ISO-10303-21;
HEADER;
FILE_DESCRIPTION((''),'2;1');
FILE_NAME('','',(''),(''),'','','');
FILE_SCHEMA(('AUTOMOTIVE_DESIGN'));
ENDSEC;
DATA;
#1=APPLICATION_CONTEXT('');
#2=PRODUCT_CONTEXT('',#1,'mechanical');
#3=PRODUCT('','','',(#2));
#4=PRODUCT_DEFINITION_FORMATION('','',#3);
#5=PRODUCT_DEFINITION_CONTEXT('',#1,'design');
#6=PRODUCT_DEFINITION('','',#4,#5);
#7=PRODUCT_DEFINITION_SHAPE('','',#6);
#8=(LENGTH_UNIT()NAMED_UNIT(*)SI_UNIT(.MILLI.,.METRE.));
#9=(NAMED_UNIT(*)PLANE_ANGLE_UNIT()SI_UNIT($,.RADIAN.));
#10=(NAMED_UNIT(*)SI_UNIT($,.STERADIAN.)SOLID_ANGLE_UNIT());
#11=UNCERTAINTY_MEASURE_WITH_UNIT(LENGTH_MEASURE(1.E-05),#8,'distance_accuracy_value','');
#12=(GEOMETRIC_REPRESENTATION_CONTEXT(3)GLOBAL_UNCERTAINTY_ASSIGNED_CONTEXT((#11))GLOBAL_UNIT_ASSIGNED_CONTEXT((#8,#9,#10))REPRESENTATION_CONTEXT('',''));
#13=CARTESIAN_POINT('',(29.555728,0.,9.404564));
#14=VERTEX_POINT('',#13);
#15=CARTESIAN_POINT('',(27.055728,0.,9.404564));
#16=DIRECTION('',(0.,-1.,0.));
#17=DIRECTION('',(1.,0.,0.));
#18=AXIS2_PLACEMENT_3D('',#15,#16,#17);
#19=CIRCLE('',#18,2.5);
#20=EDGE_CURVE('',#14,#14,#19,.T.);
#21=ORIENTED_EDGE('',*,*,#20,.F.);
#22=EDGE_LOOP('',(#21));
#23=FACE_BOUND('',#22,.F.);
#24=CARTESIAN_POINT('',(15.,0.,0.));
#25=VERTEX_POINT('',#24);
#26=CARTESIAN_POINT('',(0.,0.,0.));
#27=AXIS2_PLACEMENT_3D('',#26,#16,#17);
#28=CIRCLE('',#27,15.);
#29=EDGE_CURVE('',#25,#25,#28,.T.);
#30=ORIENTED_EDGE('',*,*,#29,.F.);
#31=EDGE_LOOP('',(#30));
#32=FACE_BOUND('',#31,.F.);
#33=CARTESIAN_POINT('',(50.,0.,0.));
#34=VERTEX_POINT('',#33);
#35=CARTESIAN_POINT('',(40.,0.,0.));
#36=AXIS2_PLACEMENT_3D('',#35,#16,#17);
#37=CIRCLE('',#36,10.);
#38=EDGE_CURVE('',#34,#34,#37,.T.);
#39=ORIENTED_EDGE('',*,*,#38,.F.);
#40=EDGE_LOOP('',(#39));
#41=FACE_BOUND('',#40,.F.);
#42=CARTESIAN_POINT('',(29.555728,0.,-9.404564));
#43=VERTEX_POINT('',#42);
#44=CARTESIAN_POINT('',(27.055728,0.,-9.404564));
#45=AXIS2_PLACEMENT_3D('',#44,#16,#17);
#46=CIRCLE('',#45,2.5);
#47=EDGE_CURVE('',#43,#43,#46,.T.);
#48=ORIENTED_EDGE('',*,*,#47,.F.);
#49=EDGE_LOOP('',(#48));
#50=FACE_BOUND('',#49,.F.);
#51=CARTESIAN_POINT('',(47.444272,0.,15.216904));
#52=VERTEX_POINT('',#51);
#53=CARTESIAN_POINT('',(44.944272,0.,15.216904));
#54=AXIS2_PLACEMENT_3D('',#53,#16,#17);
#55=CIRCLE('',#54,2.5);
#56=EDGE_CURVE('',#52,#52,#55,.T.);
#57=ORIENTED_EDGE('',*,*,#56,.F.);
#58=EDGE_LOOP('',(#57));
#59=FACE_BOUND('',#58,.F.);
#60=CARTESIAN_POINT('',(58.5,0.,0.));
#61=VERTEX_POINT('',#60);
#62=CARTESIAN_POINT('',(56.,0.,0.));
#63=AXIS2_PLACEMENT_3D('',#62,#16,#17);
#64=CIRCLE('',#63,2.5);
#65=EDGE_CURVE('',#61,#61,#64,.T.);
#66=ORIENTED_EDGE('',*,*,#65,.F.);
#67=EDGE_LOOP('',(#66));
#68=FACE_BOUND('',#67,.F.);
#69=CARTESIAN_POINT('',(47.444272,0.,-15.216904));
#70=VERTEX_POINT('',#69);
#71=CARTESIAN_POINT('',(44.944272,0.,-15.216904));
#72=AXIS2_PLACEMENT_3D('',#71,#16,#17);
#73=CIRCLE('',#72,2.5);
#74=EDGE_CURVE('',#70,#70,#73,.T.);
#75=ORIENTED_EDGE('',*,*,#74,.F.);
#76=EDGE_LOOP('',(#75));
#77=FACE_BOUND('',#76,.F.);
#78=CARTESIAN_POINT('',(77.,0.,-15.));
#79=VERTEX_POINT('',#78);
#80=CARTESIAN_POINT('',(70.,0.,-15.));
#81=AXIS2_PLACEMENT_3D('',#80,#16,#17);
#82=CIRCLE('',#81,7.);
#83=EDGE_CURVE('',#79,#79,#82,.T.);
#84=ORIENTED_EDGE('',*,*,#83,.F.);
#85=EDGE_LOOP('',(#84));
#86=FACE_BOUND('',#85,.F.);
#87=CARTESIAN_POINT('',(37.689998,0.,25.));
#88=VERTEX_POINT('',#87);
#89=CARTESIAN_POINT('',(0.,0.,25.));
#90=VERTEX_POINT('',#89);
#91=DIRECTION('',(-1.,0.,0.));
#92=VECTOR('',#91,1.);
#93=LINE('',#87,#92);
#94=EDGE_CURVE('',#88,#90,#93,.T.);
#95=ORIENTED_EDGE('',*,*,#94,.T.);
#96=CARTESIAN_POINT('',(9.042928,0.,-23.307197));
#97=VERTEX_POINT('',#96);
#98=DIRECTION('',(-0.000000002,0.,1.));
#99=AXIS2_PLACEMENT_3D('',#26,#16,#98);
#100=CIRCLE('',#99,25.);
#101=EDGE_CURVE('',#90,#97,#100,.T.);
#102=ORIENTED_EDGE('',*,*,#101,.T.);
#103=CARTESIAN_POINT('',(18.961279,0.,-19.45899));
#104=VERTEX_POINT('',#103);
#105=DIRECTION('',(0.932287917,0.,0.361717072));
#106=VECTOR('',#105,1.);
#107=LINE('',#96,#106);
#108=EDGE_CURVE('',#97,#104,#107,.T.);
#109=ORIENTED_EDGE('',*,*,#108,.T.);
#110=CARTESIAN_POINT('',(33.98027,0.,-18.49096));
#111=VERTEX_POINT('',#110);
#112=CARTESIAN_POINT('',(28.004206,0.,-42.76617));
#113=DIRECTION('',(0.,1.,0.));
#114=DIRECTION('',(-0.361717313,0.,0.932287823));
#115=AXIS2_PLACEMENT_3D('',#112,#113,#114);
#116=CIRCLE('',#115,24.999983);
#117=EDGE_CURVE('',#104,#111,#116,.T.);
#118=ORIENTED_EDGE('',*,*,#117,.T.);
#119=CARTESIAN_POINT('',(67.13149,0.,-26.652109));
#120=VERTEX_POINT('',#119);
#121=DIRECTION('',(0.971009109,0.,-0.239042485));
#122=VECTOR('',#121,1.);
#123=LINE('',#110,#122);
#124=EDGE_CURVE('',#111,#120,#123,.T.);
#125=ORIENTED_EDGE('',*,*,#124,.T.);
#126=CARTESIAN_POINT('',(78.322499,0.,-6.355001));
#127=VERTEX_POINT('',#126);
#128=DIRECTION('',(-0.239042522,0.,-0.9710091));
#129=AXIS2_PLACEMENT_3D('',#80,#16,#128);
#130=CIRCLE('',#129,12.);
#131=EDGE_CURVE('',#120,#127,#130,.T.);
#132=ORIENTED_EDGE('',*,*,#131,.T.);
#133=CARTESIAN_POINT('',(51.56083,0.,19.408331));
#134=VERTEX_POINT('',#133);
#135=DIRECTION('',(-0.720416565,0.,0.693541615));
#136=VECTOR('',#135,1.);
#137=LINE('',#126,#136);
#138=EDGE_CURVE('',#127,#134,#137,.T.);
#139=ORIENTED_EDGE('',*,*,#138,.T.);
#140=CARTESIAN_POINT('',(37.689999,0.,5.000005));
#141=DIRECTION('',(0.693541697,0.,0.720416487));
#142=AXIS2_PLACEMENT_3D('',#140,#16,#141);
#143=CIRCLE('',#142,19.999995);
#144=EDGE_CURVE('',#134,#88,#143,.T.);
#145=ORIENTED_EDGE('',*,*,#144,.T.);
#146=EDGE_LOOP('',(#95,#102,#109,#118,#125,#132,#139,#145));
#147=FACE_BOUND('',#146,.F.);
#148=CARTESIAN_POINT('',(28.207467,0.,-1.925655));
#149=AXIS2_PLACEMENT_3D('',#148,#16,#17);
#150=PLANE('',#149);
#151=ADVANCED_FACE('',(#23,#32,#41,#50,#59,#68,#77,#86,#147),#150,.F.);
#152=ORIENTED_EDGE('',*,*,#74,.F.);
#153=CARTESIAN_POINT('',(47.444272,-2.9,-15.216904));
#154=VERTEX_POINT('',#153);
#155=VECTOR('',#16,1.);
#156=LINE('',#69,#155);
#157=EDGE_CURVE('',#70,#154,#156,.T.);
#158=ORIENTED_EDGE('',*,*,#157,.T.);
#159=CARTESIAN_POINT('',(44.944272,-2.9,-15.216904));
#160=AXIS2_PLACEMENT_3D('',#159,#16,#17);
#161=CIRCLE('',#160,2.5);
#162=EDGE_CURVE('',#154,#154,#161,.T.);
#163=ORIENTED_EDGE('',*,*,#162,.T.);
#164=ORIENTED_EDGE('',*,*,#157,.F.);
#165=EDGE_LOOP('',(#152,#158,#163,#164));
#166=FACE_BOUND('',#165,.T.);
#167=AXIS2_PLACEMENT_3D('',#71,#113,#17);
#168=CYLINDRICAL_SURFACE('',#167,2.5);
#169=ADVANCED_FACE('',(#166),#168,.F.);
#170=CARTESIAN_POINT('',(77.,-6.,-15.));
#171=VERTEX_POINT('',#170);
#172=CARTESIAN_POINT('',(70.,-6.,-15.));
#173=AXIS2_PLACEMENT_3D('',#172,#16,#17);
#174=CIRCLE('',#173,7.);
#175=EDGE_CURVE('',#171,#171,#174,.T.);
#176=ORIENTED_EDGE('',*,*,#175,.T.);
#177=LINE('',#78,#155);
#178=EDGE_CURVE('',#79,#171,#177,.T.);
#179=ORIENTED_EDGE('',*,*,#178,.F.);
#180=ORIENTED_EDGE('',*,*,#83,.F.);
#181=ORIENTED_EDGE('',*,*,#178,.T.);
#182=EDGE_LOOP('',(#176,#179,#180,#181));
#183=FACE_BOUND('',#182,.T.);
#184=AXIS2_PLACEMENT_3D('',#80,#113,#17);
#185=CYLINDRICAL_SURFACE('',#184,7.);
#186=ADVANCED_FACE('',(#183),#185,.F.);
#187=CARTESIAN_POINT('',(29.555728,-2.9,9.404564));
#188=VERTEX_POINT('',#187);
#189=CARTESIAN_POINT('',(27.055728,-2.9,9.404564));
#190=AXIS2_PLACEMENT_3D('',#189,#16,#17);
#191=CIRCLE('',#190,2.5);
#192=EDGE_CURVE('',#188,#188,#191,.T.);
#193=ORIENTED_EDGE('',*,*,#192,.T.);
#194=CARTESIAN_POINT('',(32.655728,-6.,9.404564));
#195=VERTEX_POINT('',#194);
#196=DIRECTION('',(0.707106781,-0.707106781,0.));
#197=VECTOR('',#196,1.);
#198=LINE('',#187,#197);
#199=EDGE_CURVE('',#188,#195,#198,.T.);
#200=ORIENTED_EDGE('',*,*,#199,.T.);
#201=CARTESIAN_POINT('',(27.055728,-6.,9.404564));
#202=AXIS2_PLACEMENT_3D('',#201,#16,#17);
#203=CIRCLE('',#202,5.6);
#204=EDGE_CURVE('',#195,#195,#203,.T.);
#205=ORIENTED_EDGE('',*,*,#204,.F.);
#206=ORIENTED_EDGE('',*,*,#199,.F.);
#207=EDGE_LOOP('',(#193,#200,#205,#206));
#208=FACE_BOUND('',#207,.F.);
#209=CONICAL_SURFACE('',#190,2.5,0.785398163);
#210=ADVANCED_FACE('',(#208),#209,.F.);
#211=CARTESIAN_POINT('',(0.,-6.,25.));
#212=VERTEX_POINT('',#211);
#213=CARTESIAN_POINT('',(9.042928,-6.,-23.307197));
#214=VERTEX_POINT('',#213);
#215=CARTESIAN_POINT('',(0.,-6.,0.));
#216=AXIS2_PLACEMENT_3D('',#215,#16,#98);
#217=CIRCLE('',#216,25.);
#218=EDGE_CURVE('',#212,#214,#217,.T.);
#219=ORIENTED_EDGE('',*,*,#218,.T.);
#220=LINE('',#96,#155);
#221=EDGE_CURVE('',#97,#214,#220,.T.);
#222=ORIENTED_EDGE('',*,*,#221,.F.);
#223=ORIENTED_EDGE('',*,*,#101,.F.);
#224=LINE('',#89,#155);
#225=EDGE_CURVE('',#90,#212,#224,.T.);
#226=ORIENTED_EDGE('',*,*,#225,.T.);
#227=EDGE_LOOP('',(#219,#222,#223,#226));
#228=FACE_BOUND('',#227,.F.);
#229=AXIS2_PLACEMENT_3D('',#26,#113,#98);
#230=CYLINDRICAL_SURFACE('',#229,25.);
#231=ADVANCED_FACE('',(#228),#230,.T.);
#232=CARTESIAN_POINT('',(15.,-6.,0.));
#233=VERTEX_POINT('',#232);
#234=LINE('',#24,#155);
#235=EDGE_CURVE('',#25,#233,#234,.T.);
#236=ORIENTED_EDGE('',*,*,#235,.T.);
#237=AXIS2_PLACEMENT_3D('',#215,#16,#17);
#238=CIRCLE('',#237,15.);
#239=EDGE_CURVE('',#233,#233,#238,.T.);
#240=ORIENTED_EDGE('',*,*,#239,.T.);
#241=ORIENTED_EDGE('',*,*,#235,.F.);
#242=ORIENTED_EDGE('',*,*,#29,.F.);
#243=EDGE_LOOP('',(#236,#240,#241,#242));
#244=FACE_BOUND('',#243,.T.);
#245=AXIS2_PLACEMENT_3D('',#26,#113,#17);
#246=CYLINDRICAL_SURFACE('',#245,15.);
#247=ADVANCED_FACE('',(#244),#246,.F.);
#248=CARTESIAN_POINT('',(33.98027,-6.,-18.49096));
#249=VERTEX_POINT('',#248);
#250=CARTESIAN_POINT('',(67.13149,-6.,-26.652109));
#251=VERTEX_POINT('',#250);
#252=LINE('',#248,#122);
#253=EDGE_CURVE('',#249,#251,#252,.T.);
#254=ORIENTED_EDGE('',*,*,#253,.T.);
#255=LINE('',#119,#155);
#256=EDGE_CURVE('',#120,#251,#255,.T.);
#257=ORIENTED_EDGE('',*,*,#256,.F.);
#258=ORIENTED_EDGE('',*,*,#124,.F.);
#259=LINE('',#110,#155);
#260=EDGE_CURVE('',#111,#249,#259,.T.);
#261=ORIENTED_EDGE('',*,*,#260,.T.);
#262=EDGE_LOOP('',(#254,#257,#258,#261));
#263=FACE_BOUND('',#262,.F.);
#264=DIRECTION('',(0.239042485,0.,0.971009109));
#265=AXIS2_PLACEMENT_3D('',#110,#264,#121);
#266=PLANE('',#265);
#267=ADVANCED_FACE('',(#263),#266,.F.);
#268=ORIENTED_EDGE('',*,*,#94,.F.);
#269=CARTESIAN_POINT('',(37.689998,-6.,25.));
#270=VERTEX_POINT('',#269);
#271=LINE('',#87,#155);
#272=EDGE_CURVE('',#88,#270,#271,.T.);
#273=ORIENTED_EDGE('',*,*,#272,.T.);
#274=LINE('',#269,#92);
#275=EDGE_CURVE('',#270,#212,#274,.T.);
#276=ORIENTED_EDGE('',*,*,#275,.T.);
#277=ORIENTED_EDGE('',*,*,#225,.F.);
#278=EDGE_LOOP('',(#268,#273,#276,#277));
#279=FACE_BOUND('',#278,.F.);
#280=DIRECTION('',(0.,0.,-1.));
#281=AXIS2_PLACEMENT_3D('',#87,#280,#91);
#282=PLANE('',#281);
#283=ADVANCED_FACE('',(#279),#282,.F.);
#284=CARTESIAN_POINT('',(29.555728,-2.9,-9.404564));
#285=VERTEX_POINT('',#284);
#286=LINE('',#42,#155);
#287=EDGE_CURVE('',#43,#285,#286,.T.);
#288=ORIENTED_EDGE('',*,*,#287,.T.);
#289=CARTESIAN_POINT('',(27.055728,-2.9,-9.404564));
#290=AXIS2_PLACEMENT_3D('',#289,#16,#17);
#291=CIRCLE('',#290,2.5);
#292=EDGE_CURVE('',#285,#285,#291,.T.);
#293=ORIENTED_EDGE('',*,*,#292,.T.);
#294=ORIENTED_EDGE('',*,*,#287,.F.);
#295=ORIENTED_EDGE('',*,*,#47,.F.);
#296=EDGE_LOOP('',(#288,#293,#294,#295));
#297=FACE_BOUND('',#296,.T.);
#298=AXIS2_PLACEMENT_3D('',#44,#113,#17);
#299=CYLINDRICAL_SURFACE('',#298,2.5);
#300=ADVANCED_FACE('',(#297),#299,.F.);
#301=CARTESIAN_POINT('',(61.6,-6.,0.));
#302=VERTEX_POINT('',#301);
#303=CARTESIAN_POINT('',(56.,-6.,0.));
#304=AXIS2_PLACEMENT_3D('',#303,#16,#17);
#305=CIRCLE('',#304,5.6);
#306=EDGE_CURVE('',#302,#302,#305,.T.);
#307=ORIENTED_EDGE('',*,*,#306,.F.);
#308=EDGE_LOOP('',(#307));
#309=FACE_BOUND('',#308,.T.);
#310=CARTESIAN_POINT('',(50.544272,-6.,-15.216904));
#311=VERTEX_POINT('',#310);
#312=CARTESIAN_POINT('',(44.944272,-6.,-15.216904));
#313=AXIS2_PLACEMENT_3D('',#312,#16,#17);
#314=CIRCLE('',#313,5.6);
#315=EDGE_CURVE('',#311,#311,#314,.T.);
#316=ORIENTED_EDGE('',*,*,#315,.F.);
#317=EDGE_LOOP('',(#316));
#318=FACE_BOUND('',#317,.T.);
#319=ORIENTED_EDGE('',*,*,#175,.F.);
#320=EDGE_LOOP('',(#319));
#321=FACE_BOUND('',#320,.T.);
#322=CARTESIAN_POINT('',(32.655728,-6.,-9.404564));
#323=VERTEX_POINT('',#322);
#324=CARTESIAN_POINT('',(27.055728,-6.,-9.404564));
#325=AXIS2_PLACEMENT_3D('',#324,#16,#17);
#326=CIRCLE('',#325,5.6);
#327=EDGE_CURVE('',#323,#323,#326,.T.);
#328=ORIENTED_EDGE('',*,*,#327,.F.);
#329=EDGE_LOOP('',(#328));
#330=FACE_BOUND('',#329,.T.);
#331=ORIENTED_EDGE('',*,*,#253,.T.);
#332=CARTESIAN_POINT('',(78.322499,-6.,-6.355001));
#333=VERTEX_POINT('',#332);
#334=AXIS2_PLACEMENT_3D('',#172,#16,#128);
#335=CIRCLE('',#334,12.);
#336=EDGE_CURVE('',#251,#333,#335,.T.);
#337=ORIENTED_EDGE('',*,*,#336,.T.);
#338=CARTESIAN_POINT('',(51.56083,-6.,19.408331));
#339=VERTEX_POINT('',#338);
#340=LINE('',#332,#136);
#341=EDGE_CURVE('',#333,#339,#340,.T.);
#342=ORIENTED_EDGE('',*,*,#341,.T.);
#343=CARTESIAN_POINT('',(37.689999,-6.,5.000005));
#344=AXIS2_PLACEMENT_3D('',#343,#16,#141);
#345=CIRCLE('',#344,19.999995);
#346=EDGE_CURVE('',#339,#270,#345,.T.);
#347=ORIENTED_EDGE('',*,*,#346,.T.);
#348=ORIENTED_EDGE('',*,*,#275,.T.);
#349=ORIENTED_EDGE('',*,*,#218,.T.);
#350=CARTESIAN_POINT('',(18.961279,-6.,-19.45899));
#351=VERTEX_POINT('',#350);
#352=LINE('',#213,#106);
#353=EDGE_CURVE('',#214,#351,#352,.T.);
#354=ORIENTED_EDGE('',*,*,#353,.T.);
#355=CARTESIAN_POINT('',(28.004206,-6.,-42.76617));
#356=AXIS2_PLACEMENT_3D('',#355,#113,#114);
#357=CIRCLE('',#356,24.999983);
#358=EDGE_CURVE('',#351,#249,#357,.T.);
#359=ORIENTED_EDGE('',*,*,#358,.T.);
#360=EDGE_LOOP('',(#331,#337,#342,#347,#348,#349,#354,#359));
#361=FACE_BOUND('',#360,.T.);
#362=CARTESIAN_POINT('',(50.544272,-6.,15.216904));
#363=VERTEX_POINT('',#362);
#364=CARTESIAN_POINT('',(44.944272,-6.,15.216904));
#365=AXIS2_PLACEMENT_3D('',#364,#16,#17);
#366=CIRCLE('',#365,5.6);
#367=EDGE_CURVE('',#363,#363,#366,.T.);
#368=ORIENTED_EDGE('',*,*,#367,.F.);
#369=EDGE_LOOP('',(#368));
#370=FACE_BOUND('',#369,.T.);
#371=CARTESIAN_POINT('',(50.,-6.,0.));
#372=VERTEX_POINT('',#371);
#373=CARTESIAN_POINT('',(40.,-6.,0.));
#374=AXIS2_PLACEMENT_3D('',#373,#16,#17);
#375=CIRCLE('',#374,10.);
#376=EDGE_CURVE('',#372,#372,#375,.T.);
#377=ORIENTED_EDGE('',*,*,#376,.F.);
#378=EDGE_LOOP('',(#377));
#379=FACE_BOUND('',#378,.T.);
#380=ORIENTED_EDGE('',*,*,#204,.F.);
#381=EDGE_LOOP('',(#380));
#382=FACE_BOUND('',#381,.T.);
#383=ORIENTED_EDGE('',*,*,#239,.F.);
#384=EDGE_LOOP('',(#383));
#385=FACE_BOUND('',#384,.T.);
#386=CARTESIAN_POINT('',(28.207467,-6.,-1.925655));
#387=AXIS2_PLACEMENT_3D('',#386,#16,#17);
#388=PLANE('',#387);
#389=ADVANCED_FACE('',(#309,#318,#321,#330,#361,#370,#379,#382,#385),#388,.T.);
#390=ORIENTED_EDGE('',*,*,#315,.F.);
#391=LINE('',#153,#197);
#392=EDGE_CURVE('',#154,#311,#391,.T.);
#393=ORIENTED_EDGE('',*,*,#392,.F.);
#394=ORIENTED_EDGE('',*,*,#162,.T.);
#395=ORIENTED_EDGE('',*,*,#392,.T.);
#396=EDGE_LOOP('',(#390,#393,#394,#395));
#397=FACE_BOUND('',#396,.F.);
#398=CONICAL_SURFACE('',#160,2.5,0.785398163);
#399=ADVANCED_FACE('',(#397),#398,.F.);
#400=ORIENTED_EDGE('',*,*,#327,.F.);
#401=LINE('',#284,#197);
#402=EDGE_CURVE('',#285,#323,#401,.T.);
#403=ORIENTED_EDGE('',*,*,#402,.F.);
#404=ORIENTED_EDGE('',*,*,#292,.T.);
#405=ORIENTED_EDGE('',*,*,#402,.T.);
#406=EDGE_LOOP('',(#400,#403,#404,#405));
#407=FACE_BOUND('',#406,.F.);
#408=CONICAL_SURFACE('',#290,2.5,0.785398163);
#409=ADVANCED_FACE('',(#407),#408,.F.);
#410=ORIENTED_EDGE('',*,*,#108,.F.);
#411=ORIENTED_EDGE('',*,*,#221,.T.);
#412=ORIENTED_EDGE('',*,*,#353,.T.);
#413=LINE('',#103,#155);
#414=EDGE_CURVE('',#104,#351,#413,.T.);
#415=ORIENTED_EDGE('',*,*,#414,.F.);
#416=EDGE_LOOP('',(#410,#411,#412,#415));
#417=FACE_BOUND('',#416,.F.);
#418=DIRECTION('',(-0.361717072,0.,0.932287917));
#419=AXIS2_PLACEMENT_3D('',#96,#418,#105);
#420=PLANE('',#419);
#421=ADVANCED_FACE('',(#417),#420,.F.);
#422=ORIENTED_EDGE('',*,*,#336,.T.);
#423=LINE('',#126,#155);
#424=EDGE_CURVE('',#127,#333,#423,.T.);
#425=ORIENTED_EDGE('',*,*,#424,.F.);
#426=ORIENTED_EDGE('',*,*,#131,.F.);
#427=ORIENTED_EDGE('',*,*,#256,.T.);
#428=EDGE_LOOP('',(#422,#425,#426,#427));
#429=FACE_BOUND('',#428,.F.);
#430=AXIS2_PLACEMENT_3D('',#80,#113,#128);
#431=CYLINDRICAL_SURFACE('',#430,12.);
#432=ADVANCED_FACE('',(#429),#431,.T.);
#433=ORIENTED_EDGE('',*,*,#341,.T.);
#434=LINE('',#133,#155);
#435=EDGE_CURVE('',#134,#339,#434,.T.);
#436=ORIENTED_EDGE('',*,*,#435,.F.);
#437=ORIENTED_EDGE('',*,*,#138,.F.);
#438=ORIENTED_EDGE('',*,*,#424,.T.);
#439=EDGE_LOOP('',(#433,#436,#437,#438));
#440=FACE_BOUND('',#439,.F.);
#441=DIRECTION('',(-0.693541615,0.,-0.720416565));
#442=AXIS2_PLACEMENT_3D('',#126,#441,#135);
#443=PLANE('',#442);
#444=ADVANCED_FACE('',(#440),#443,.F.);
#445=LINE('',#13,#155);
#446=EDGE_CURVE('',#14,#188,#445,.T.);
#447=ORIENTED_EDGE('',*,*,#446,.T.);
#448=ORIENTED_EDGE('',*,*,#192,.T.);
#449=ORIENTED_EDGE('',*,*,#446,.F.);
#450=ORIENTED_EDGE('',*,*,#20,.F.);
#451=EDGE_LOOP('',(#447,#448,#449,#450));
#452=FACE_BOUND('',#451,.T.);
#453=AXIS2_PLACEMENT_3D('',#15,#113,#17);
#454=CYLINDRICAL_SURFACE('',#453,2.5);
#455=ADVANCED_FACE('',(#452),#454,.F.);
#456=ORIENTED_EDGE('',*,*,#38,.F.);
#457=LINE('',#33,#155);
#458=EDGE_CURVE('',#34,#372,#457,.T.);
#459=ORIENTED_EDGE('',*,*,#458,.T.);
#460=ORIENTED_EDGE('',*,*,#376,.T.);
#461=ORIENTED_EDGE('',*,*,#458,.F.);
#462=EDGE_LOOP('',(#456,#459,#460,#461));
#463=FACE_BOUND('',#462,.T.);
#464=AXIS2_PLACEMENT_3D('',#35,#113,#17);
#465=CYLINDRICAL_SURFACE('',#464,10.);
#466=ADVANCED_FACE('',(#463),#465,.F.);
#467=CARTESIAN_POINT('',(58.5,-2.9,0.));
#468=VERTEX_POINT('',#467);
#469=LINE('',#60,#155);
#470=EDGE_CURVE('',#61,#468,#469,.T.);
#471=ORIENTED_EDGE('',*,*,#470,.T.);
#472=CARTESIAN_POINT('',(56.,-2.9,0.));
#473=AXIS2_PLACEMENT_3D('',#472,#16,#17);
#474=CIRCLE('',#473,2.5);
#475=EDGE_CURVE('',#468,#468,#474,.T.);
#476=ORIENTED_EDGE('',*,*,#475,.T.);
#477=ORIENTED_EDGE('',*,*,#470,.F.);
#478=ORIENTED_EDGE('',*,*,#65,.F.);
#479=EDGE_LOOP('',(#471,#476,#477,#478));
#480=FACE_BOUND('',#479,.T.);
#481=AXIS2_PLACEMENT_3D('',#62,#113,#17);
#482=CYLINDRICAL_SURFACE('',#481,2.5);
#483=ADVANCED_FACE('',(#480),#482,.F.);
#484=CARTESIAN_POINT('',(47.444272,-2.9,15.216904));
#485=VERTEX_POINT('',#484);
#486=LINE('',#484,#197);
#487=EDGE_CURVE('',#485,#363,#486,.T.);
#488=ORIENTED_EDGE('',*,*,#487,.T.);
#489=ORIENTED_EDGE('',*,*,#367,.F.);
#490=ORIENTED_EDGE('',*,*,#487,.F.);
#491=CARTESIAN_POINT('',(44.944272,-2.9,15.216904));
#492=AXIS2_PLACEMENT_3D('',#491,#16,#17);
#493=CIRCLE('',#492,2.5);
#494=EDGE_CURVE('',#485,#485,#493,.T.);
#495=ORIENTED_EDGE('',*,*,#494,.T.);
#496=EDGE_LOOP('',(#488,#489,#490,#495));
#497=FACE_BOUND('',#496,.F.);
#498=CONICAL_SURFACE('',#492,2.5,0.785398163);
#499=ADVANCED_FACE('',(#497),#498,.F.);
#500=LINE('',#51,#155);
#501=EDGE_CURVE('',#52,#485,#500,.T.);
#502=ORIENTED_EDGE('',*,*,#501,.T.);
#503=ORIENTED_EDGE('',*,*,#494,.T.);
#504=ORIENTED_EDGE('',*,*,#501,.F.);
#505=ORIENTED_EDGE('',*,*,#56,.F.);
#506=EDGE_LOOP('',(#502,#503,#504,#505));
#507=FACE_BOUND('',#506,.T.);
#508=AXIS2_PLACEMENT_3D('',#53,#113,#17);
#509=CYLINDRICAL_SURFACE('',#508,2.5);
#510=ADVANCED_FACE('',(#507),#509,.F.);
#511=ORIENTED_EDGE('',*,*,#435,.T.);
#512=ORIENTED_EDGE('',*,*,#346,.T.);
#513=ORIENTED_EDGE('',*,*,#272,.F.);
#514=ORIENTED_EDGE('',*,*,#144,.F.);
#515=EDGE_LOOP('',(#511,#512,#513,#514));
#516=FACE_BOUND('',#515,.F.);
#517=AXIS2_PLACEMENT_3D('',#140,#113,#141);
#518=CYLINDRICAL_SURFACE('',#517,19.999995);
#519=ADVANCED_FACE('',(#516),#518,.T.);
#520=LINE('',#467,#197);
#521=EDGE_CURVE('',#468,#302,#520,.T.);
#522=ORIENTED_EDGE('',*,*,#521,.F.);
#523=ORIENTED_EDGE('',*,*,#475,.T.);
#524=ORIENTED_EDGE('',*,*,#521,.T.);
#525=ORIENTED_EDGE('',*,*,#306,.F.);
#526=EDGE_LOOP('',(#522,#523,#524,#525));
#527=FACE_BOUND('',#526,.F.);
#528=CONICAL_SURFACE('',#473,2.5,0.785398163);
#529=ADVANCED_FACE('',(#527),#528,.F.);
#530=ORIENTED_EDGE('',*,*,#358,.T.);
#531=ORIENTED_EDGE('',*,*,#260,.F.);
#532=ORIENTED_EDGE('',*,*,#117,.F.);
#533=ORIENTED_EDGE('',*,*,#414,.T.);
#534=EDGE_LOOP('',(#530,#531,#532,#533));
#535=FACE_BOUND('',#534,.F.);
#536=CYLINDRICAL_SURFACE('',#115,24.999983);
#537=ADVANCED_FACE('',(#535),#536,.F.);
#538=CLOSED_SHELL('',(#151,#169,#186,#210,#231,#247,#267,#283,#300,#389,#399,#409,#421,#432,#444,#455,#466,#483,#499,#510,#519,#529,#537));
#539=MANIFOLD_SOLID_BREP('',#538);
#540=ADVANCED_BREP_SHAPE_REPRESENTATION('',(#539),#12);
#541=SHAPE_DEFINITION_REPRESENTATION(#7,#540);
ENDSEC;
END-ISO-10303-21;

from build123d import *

# Parameters (mm, degrees)
F0_R     = 2.5
F0_R_2   = 7
F0_R_3   = 15
F0_R_4   = 10
F1_DEPTH = 6
F2_SIZE  = 3.1


with BuildPart() as f1:
    # F0 (on Front) → F1 (new body)
    with BuildSketch(Plane.XZ):
        with BuildLine():
            Line((37.689998, 25), (0, 25))
            ThreePointArc((0, 25), (-24.573155, -4.600004), (9.042928, -23.307197))
            Line((9.042928, -23.307197), (18.961279, -19.45899))
            ThreePointArc((18.961279, -19.45899), (26.3962, -17.817954), (33.98027, -18.49096))
            Line((33.98027, -18.49096), (67.13149, -26.652109))
            ThreePointArc((67.13149, -26.652109), (80.508551, -20.793993), (78.322499, -6.355001))
            Line((78.322499, -6.355001), (51.56083, 19.408331))
            ThreePointArc((51.56083, 19.408331), (45.167744, 23.549483), (37.689998, 25))
        make_face()
        with Locations((27.055728, -9.404564)):
            Circle(F0_R, mode=Mode.SUBTRACT)
        with Locations((44.944272, -15.216904)):
            Circle(F0_R, mode=Mode.SUBTRACT)
        with Locations((70, -15)):
            Circle(F0_R_2, mode=Mode.SUBTRACT)
        Circle(F0_R_3, mode=Mode.SUBTRACT)
        with Locations((27.055728, 9.404564)):
            Circle(F0_R, mode=Mode.SUBTRACT)
        with Locations((40, 0)):
            Circle(F0_R_4, mode=Mode.SUBTRACT)
        with Locations((56, 0)):
            Circle(F0_R, mode=Mode.SUBTRACT)
        with Locations((44.944272, 15.216904)):
            Circle(F0_R, mode=Mode.SUBTRACT)
    extrude(amount=F1_DEPTH)

    # F2
    f2_edges = [f1.edges().sort_by_distance(p)[0] for p in [
        (24.555728, -6, -9.404564),
        (24.555728, -6, 9.404564),
        (42.444272, -6, 15.216904),
        (53.5, -6, 0),
        (42.444272, -6, -15.216904),
    ]]
    chamfer(f2_edges, length=F2_SIZE)


solid = f1.part
